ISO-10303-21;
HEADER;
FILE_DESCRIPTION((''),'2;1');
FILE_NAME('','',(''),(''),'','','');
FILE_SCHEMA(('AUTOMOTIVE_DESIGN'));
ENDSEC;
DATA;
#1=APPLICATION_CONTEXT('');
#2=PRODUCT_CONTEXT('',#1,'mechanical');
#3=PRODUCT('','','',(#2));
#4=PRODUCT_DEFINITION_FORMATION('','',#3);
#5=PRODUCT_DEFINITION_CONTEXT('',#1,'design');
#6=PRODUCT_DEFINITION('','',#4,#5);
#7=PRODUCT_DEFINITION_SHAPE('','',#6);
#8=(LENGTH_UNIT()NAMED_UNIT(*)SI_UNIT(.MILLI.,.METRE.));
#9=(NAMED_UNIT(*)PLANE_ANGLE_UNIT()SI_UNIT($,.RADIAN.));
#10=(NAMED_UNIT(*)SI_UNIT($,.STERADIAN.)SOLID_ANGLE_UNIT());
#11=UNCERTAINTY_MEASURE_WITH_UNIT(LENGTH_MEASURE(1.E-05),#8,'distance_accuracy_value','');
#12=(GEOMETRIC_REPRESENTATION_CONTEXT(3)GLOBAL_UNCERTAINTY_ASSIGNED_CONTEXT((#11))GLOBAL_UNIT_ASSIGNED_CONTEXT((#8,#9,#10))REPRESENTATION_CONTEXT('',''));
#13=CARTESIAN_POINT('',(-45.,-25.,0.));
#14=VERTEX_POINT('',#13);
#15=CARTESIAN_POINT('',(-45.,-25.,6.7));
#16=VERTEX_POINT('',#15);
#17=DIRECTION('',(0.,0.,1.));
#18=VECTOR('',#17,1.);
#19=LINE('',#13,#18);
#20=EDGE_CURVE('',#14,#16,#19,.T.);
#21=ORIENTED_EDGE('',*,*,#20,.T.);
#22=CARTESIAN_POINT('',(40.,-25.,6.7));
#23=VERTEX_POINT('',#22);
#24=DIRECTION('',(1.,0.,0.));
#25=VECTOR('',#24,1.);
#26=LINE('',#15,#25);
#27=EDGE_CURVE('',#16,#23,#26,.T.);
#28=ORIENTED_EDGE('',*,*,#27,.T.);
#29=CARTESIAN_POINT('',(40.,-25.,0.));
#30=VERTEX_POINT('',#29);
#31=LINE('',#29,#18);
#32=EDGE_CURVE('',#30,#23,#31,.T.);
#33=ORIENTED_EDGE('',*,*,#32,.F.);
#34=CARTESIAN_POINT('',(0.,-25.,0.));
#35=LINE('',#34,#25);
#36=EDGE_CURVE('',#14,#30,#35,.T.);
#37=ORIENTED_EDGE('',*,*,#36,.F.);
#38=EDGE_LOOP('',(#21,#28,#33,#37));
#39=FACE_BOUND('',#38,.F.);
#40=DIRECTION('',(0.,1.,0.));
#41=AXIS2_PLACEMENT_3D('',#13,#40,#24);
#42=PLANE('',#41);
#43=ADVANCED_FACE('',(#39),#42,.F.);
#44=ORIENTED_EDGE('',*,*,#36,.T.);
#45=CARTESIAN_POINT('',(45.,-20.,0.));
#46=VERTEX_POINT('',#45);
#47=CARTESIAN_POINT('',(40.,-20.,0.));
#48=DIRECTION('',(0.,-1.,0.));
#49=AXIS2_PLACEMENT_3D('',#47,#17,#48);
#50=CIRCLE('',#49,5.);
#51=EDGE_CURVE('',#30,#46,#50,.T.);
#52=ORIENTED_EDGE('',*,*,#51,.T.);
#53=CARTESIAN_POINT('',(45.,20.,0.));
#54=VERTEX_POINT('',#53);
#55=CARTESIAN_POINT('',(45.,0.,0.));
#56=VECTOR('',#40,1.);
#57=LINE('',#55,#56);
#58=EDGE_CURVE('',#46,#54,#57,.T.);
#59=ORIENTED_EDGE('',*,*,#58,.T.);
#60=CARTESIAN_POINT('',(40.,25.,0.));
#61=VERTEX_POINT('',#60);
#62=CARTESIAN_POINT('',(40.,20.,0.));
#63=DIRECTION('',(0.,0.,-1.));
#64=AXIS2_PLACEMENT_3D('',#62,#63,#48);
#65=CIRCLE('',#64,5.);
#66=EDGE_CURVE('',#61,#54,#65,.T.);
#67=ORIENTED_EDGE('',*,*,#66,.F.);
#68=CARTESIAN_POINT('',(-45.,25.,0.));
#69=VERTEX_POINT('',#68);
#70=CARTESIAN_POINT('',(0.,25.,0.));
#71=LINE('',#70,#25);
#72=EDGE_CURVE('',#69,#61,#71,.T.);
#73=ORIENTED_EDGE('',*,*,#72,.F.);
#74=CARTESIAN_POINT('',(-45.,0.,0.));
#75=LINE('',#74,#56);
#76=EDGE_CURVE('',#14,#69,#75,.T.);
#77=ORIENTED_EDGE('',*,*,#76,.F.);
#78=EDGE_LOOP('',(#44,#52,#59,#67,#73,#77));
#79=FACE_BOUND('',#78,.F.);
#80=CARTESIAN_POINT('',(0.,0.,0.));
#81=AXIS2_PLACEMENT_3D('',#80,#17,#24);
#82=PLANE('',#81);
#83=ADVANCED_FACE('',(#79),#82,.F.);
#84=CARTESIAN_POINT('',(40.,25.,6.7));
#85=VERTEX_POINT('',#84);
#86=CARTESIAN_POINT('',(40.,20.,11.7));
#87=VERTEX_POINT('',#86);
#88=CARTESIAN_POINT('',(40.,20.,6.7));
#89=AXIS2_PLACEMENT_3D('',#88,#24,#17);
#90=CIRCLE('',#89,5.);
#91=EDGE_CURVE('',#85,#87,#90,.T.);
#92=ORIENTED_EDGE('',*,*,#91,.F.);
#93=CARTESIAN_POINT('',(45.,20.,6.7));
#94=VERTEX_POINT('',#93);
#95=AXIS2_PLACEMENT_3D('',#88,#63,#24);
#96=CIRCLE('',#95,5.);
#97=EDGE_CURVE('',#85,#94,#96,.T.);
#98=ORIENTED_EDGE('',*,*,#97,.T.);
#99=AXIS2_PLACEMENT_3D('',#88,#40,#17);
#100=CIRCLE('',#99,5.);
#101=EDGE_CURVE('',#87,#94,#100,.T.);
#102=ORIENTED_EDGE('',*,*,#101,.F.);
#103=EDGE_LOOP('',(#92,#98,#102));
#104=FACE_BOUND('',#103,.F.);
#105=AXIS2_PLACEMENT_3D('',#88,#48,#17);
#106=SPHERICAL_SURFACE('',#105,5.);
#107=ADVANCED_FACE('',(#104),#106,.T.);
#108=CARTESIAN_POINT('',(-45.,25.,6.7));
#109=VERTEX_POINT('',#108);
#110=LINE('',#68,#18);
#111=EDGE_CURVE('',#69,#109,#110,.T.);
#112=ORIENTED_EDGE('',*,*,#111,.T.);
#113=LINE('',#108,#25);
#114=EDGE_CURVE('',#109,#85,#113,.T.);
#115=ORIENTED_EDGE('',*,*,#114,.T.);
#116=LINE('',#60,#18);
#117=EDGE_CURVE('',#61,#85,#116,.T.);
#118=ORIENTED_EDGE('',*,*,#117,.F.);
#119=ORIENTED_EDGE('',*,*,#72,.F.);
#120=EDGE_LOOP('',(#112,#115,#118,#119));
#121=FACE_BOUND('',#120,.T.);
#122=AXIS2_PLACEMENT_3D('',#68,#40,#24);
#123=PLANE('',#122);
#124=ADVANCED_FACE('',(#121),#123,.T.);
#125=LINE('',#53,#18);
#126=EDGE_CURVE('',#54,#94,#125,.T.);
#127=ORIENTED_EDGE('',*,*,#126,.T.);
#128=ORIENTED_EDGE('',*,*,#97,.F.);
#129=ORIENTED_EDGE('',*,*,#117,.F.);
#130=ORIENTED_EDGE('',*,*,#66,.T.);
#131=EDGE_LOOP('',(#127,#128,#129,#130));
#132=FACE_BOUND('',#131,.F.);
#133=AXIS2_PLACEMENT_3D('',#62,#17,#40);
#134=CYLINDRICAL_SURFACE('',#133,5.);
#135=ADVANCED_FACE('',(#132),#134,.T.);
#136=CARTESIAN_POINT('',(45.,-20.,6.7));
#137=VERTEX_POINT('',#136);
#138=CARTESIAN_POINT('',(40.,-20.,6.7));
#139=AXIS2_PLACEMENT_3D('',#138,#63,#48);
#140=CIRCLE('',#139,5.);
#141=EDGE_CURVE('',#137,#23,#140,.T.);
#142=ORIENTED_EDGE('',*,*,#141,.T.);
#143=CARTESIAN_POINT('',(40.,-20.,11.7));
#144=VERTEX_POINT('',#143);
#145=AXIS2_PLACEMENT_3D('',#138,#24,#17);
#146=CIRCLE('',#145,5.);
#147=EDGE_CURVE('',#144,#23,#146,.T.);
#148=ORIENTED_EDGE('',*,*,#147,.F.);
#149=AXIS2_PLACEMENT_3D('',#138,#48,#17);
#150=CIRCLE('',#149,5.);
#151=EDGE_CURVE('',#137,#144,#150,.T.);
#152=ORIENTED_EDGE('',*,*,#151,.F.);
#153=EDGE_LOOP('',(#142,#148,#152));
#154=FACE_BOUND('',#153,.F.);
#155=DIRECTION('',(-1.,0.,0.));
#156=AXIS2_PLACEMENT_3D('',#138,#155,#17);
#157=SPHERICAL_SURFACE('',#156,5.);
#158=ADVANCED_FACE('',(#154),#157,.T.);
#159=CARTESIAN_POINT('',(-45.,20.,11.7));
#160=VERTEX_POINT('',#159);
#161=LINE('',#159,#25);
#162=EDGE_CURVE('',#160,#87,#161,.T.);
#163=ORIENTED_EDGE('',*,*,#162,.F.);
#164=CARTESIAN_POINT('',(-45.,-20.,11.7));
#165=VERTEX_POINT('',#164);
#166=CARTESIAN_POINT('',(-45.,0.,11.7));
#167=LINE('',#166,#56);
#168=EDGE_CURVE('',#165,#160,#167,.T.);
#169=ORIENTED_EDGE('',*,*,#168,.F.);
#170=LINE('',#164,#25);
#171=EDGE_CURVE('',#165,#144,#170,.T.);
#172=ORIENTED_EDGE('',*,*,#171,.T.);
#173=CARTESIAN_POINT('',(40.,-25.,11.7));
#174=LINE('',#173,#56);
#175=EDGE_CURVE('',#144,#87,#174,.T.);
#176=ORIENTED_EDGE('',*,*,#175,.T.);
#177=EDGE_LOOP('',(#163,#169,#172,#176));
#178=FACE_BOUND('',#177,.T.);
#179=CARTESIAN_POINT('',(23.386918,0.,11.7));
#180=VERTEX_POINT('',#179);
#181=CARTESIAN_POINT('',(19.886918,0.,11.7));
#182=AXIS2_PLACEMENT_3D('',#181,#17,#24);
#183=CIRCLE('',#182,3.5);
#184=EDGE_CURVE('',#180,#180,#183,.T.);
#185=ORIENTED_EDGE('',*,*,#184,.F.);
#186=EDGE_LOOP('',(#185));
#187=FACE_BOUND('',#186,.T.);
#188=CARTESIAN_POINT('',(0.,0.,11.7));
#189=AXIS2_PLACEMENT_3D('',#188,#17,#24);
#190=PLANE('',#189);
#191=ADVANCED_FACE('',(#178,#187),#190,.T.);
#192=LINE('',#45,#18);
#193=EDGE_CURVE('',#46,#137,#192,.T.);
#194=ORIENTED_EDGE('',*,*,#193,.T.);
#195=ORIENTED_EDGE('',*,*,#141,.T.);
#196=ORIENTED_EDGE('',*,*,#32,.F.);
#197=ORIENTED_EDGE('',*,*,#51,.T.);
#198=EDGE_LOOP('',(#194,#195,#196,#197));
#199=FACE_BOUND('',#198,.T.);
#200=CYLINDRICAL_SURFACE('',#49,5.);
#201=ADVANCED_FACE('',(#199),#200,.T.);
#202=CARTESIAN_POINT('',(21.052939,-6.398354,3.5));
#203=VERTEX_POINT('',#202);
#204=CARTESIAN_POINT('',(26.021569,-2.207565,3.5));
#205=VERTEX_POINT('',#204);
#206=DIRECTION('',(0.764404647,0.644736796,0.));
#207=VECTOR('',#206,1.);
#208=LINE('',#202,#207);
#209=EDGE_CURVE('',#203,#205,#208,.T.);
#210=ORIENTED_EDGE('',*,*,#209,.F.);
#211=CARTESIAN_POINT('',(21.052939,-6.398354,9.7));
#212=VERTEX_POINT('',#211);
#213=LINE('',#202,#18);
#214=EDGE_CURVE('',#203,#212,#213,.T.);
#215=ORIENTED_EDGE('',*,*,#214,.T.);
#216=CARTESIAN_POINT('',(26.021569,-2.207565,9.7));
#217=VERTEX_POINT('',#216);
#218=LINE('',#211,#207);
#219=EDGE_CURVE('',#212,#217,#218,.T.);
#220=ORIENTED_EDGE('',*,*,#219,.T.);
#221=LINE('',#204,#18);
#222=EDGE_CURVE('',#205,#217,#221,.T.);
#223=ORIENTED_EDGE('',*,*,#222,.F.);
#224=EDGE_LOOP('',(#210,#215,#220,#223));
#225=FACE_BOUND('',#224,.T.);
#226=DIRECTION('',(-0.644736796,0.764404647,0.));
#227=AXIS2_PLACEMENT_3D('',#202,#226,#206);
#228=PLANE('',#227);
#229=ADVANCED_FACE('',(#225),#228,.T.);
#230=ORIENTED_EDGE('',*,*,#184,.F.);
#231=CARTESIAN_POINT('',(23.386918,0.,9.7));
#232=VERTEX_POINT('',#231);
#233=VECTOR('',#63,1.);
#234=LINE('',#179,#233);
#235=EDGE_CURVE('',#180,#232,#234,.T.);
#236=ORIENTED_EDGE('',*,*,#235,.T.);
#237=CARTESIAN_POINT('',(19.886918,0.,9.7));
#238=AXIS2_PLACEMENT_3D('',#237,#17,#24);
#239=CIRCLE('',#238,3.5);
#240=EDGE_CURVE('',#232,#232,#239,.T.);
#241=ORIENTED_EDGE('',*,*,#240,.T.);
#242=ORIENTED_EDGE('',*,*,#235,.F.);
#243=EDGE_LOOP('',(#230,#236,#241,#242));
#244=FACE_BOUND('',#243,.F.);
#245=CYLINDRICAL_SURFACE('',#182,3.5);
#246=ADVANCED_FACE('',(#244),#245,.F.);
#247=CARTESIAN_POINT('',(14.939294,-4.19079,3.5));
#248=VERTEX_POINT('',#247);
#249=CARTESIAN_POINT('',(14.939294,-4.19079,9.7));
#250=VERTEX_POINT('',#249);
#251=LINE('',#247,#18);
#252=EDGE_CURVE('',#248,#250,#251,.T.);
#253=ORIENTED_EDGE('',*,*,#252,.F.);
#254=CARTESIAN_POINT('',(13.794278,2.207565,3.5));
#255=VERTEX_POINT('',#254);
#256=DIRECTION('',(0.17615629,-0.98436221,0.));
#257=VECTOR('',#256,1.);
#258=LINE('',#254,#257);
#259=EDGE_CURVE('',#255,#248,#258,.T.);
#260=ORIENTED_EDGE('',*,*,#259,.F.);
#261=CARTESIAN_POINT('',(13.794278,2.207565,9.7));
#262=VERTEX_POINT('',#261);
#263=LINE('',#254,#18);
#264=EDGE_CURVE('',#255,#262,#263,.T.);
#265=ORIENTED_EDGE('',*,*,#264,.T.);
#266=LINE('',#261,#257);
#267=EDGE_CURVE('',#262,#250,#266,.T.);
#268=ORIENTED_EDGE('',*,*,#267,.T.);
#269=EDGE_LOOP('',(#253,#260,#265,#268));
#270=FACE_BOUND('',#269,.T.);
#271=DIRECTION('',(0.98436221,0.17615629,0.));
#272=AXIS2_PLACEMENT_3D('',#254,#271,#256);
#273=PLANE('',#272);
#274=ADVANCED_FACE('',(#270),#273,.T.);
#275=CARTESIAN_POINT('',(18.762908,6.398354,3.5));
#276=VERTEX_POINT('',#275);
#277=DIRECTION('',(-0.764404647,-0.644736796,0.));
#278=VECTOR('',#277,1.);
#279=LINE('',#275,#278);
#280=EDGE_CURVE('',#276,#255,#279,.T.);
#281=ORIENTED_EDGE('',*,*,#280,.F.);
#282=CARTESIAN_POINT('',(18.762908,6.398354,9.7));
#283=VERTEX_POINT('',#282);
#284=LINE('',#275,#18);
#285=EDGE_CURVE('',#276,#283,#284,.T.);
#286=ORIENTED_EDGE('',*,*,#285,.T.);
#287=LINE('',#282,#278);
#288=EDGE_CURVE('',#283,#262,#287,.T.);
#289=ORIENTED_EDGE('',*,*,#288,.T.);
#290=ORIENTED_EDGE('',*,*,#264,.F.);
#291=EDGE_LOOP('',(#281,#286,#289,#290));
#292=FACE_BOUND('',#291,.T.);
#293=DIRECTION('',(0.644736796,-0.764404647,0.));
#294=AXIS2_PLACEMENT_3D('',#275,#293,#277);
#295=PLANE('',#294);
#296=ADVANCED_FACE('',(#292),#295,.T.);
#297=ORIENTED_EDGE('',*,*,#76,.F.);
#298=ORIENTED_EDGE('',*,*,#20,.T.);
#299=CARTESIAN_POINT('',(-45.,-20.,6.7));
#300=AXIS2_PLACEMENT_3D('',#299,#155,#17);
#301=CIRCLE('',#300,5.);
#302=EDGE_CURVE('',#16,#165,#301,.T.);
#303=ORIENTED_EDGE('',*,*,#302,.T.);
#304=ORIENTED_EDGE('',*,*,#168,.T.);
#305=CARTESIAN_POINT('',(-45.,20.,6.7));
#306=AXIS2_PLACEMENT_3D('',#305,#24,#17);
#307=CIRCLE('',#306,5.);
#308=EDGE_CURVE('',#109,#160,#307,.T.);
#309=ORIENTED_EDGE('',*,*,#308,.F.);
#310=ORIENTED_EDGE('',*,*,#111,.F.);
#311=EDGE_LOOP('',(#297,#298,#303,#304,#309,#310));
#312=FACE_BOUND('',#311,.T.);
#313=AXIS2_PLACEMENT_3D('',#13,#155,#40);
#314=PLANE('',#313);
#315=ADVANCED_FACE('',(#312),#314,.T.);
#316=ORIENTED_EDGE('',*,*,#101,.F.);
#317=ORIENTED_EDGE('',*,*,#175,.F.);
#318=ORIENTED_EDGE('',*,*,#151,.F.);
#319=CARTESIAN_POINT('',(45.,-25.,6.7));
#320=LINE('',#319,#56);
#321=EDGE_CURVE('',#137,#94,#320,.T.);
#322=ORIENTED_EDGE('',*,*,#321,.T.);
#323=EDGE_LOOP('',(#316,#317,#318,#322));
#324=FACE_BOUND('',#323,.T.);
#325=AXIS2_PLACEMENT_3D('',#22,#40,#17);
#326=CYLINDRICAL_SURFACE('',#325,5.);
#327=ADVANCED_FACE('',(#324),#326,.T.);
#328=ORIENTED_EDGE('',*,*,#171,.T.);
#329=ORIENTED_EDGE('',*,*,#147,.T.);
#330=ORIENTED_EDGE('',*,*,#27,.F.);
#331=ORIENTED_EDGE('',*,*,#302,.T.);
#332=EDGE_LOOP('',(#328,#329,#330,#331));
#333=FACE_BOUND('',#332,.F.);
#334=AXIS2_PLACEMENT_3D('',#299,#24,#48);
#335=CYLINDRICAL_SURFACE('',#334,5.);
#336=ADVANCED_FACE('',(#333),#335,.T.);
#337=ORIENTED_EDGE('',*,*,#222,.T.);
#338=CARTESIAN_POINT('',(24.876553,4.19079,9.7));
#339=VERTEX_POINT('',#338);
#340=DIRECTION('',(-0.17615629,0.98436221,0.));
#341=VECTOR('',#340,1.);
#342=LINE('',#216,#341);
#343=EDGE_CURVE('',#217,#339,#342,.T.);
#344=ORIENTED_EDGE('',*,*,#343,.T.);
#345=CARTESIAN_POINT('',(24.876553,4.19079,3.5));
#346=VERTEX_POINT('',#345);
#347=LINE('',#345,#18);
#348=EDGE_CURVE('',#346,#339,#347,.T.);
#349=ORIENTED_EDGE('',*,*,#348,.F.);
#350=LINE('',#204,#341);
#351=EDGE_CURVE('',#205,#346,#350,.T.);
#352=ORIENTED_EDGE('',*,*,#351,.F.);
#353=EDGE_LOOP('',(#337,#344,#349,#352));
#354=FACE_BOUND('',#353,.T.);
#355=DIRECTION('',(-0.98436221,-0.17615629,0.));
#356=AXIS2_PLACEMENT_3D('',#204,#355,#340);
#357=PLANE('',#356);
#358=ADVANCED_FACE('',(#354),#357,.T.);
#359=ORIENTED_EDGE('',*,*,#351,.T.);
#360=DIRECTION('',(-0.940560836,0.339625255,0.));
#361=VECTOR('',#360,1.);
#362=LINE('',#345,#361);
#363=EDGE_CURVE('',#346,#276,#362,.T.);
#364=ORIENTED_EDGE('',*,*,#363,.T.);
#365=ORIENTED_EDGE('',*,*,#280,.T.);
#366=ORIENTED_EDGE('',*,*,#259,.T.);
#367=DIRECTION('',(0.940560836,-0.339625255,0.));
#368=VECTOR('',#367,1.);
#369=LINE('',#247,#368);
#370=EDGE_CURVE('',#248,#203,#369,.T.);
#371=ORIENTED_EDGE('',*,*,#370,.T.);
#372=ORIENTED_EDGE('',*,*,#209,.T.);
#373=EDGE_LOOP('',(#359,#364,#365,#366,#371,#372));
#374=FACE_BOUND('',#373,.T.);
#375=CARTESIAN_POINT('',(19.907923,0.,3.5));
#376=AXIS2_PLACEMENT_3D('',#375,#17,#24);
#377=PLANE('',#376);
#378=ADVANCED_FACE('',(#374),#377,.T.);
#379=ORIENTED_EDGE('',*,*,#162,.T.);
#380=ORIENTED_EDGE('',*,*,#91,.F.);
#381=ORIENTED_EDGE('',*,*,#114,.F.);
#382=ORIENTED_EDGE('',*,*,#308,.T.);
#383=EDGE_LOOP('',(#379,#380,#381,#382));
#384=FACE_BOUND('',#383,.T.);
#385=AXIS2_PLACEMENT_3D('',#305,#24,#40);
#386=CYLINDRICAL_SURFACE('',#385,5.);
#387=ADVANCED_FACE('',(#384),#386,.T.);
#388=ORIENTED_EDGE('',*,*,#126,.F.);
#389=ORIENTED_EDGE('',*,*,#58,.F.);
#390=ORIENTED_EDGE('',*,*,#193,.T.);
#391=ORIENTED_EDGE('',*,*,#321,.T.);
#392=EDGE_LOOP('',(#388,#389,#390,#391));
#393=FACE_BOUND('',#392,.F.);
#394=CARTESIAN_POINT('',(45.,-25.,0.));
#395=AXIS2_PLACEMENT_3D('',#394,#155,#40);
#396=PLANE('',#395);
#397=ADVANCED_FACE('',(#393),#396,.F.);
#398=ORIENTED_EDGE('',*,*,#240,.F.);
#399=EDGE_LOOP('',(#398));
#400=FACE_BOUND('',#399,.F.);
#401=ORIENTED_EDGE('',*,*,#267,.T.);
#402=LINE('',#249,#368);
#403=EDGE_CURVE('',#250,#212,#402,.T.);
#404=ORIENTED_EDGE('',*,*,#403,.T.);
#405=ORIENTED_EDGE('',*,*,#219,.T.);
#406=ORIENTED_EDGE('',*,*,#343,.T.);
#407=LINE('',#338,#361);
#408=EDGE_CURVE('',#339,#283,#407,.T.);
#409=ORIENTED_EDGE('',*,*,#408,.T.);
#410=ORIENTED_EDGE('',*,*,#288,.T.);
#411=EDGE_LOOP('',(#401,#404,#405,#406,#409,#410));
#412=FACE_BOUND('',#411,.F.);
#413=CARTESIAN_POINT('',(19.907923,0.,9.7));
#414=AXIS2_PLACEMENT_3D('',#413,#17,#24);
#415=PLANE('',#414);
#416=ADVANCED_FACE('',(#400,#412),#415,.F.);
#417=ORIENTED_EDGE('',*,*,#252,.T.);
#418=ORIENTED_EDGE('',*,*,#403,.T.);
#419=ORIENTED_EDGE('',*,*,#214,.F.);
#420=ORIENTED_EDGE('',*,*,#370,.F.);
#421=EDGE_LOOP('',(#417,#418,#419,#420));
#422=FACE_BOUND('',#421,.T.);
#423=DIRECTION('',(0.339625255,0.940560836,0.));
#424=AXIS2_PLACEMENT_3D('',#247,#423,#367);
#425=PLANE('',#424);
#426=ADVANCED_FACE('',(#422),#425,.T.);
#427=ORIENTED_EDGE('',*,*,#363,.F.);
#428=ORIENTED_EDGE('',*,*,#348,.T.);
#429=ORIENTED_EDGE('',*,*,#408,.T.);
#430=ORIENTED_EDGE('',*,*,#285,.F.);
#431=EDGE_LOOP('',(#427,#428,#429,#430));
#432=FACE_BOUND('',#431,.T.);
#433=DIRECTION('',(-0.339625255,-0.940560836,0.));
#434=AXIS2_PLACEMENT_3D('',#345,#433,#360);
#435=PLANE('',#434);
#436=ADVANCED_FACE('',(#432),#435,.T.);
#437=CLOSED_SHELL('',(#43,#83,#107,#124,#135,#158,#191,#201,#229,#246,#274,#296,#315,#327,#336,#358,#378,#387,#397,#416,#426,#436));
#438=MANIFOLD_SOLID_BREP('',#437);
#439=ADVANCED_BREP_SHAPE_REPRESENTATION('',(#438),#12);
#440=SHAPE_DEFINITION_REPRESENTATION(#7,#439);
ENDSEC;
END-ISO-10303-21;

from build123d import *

# Parameters (mm, degrees)
F0_W     = 90
F0_H     = 50
F1_DEPTH = 11.7
F3_R     = 3.5
F4_DEPTH = 8.2
F7_DEPTH = 6.2
F8_R     = 5


with BuildPart() as f1:
    # F0 (on Top) → F1 (new body)
    with BuildSketch(Plane.XY):
        Rectangle(F0_W, F0_H)
    extrude(amount=F1_DEPTH)

    # F3 (on face) → F4 (cut)
    with BuildSketch(Plane.XY.offset(11.7)):
        with Locations((19.886918, 0)):
            Circle(F3_R)
    extrude(amount=-F4_DEPTH, mode=Mode.SUBTRACT)

    # F6 (on offset) → F7 (cut)
    with BuildSketch(Plane.XY.offset(3.5)):
        Polygon((24.876553, 4.19079), (18.762908, 6.398354), (13.794278, 2.207565), (14.939294, -4.19079), (21.052939, -6.398354), (26.021569, -2.207565), align=None)
    extrude(amount=F7_DEPTH, mode=Mode.SUBTRACT)

    # F8
    f8_edges = [f1.edges().sort_by_distance(p)[0] for p in [
        (0, -25, 11.7),
        (45, 0, 11.7),
        (0, 25, 11.7),
        (45, -25, 5.85),
        (45, 25, 5.85),
    ]]
    fillet(f8_edges, radius=F8_R)


solid = f1.part
